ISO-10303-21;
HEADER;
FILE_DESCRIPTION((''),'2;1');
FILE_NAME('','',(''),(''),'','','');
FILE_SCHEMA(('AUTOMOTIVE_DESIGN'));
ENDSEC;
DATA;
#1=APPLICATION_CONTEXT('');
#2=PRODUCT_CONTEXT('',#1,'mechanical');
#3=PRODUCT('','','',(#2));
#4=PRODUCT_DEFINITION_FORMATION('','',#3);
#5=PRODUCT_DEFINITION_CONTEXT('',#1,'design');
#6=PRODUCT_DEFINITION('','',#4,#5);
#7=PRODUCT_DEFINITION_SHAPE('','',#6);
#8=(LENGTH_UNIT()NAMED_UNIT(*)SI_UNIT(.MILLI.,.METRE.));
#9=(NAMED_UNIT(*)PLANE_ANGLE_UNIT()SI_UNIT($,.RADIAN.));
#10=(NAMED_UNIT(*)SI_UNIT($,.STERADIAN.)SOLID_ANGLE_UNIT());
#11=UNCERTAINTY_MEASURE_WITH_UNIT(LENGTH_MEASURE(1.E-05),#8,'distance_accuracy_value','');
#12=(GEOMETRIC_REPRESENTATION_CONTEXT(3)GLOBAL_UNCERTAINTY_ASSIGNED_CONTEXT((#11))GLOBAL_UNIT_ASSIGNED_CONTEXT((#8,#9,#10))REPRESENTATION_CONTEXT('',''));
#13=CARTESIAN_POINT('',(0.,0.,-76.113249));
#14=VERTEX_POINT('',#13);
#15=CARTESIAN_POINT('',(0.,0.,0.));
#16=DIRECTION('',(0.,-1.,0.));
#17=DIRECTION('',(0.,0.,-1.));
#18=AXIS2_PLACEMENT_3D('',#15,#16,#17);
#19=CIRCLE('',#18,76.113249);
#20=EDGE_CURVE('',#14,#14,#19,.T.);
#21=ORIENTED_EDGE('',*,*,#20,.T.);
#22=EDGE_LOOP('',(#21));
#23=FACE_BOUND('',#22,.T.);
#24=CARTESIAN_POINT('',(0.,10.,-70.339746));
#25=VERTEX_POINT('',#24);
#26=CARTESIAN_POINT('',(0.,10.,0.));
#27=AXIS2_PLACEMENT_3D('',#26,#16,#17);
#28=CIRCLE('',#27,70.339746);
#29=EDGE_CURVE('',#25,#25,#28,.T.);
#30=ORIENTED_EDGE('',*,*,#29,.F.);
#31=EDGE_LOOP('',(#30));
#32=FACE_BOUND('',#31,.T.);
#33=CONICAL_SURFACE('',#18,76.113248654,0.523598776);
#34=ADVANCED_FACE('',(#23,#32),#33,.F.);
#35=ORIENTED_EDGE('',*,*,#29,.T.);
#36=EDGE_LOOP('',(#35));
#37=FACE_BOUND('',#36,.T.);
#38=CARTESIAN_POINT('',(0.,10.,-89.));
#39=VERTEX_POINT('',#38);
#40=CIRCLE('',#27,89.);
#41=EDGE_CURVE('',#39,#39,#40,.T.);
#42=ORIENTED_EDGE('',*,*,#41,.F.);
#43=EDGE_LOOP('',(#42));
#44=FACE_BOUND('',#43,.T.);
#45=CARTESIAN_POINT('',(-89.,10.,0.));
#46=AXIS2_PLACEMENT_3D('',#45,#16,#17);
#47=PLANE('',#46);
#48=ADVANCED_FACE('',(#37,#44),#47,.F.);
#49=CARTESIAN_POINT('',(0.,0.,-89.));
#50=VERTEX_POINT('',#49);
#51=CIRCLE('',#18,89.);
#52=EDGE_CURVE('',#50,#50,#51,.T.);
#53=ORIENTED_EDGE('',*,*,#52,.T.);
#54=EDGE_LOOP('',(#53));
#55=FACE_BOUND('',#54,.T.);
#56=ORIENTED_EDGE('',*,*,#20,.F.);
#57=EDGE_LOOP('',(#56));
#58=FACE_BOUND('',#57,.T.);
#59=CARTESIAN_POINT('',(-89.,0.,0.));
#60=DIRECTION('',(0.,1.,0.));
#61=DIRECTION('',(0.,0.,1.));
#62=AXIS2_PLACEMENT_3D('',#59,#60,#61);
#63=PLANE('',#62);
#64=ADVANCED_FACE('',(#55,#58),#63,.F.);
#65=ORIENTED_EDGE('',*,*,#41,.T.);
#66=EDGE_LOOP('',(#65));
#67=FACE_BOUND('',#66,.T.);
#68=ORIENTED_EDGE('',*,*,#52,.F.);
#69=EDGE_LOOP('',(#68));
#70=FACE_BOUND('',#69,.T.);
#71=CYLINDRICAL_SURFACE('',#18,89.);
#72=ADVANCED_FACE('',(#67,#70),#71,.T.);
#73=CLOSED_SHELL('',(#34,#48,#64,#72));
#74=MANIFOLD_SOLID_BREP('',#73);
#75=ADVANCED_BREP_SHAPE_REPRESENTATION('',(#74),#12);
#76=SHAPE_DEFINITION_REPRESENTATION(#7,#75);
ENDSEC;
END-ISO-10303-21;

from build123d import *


with BuildPart() as part:
    # Sketch2 → Revolve1 (revolve)
    with BuildSketch(Plane.XY, mode=Mode.PRIVATE) as revolve1_sk:
        Polygon((-89, 0), (-89, 10), (-70.339745962, 10), (-76.113248654, 0), align=None)
    revolve(revolve1_sk.sketch.rotate(Axis((0, 0, 0), (0, 1, 0)), 270), axis=Axis((0, 0, 0), (0, 1, 0)))


solid = part.part
